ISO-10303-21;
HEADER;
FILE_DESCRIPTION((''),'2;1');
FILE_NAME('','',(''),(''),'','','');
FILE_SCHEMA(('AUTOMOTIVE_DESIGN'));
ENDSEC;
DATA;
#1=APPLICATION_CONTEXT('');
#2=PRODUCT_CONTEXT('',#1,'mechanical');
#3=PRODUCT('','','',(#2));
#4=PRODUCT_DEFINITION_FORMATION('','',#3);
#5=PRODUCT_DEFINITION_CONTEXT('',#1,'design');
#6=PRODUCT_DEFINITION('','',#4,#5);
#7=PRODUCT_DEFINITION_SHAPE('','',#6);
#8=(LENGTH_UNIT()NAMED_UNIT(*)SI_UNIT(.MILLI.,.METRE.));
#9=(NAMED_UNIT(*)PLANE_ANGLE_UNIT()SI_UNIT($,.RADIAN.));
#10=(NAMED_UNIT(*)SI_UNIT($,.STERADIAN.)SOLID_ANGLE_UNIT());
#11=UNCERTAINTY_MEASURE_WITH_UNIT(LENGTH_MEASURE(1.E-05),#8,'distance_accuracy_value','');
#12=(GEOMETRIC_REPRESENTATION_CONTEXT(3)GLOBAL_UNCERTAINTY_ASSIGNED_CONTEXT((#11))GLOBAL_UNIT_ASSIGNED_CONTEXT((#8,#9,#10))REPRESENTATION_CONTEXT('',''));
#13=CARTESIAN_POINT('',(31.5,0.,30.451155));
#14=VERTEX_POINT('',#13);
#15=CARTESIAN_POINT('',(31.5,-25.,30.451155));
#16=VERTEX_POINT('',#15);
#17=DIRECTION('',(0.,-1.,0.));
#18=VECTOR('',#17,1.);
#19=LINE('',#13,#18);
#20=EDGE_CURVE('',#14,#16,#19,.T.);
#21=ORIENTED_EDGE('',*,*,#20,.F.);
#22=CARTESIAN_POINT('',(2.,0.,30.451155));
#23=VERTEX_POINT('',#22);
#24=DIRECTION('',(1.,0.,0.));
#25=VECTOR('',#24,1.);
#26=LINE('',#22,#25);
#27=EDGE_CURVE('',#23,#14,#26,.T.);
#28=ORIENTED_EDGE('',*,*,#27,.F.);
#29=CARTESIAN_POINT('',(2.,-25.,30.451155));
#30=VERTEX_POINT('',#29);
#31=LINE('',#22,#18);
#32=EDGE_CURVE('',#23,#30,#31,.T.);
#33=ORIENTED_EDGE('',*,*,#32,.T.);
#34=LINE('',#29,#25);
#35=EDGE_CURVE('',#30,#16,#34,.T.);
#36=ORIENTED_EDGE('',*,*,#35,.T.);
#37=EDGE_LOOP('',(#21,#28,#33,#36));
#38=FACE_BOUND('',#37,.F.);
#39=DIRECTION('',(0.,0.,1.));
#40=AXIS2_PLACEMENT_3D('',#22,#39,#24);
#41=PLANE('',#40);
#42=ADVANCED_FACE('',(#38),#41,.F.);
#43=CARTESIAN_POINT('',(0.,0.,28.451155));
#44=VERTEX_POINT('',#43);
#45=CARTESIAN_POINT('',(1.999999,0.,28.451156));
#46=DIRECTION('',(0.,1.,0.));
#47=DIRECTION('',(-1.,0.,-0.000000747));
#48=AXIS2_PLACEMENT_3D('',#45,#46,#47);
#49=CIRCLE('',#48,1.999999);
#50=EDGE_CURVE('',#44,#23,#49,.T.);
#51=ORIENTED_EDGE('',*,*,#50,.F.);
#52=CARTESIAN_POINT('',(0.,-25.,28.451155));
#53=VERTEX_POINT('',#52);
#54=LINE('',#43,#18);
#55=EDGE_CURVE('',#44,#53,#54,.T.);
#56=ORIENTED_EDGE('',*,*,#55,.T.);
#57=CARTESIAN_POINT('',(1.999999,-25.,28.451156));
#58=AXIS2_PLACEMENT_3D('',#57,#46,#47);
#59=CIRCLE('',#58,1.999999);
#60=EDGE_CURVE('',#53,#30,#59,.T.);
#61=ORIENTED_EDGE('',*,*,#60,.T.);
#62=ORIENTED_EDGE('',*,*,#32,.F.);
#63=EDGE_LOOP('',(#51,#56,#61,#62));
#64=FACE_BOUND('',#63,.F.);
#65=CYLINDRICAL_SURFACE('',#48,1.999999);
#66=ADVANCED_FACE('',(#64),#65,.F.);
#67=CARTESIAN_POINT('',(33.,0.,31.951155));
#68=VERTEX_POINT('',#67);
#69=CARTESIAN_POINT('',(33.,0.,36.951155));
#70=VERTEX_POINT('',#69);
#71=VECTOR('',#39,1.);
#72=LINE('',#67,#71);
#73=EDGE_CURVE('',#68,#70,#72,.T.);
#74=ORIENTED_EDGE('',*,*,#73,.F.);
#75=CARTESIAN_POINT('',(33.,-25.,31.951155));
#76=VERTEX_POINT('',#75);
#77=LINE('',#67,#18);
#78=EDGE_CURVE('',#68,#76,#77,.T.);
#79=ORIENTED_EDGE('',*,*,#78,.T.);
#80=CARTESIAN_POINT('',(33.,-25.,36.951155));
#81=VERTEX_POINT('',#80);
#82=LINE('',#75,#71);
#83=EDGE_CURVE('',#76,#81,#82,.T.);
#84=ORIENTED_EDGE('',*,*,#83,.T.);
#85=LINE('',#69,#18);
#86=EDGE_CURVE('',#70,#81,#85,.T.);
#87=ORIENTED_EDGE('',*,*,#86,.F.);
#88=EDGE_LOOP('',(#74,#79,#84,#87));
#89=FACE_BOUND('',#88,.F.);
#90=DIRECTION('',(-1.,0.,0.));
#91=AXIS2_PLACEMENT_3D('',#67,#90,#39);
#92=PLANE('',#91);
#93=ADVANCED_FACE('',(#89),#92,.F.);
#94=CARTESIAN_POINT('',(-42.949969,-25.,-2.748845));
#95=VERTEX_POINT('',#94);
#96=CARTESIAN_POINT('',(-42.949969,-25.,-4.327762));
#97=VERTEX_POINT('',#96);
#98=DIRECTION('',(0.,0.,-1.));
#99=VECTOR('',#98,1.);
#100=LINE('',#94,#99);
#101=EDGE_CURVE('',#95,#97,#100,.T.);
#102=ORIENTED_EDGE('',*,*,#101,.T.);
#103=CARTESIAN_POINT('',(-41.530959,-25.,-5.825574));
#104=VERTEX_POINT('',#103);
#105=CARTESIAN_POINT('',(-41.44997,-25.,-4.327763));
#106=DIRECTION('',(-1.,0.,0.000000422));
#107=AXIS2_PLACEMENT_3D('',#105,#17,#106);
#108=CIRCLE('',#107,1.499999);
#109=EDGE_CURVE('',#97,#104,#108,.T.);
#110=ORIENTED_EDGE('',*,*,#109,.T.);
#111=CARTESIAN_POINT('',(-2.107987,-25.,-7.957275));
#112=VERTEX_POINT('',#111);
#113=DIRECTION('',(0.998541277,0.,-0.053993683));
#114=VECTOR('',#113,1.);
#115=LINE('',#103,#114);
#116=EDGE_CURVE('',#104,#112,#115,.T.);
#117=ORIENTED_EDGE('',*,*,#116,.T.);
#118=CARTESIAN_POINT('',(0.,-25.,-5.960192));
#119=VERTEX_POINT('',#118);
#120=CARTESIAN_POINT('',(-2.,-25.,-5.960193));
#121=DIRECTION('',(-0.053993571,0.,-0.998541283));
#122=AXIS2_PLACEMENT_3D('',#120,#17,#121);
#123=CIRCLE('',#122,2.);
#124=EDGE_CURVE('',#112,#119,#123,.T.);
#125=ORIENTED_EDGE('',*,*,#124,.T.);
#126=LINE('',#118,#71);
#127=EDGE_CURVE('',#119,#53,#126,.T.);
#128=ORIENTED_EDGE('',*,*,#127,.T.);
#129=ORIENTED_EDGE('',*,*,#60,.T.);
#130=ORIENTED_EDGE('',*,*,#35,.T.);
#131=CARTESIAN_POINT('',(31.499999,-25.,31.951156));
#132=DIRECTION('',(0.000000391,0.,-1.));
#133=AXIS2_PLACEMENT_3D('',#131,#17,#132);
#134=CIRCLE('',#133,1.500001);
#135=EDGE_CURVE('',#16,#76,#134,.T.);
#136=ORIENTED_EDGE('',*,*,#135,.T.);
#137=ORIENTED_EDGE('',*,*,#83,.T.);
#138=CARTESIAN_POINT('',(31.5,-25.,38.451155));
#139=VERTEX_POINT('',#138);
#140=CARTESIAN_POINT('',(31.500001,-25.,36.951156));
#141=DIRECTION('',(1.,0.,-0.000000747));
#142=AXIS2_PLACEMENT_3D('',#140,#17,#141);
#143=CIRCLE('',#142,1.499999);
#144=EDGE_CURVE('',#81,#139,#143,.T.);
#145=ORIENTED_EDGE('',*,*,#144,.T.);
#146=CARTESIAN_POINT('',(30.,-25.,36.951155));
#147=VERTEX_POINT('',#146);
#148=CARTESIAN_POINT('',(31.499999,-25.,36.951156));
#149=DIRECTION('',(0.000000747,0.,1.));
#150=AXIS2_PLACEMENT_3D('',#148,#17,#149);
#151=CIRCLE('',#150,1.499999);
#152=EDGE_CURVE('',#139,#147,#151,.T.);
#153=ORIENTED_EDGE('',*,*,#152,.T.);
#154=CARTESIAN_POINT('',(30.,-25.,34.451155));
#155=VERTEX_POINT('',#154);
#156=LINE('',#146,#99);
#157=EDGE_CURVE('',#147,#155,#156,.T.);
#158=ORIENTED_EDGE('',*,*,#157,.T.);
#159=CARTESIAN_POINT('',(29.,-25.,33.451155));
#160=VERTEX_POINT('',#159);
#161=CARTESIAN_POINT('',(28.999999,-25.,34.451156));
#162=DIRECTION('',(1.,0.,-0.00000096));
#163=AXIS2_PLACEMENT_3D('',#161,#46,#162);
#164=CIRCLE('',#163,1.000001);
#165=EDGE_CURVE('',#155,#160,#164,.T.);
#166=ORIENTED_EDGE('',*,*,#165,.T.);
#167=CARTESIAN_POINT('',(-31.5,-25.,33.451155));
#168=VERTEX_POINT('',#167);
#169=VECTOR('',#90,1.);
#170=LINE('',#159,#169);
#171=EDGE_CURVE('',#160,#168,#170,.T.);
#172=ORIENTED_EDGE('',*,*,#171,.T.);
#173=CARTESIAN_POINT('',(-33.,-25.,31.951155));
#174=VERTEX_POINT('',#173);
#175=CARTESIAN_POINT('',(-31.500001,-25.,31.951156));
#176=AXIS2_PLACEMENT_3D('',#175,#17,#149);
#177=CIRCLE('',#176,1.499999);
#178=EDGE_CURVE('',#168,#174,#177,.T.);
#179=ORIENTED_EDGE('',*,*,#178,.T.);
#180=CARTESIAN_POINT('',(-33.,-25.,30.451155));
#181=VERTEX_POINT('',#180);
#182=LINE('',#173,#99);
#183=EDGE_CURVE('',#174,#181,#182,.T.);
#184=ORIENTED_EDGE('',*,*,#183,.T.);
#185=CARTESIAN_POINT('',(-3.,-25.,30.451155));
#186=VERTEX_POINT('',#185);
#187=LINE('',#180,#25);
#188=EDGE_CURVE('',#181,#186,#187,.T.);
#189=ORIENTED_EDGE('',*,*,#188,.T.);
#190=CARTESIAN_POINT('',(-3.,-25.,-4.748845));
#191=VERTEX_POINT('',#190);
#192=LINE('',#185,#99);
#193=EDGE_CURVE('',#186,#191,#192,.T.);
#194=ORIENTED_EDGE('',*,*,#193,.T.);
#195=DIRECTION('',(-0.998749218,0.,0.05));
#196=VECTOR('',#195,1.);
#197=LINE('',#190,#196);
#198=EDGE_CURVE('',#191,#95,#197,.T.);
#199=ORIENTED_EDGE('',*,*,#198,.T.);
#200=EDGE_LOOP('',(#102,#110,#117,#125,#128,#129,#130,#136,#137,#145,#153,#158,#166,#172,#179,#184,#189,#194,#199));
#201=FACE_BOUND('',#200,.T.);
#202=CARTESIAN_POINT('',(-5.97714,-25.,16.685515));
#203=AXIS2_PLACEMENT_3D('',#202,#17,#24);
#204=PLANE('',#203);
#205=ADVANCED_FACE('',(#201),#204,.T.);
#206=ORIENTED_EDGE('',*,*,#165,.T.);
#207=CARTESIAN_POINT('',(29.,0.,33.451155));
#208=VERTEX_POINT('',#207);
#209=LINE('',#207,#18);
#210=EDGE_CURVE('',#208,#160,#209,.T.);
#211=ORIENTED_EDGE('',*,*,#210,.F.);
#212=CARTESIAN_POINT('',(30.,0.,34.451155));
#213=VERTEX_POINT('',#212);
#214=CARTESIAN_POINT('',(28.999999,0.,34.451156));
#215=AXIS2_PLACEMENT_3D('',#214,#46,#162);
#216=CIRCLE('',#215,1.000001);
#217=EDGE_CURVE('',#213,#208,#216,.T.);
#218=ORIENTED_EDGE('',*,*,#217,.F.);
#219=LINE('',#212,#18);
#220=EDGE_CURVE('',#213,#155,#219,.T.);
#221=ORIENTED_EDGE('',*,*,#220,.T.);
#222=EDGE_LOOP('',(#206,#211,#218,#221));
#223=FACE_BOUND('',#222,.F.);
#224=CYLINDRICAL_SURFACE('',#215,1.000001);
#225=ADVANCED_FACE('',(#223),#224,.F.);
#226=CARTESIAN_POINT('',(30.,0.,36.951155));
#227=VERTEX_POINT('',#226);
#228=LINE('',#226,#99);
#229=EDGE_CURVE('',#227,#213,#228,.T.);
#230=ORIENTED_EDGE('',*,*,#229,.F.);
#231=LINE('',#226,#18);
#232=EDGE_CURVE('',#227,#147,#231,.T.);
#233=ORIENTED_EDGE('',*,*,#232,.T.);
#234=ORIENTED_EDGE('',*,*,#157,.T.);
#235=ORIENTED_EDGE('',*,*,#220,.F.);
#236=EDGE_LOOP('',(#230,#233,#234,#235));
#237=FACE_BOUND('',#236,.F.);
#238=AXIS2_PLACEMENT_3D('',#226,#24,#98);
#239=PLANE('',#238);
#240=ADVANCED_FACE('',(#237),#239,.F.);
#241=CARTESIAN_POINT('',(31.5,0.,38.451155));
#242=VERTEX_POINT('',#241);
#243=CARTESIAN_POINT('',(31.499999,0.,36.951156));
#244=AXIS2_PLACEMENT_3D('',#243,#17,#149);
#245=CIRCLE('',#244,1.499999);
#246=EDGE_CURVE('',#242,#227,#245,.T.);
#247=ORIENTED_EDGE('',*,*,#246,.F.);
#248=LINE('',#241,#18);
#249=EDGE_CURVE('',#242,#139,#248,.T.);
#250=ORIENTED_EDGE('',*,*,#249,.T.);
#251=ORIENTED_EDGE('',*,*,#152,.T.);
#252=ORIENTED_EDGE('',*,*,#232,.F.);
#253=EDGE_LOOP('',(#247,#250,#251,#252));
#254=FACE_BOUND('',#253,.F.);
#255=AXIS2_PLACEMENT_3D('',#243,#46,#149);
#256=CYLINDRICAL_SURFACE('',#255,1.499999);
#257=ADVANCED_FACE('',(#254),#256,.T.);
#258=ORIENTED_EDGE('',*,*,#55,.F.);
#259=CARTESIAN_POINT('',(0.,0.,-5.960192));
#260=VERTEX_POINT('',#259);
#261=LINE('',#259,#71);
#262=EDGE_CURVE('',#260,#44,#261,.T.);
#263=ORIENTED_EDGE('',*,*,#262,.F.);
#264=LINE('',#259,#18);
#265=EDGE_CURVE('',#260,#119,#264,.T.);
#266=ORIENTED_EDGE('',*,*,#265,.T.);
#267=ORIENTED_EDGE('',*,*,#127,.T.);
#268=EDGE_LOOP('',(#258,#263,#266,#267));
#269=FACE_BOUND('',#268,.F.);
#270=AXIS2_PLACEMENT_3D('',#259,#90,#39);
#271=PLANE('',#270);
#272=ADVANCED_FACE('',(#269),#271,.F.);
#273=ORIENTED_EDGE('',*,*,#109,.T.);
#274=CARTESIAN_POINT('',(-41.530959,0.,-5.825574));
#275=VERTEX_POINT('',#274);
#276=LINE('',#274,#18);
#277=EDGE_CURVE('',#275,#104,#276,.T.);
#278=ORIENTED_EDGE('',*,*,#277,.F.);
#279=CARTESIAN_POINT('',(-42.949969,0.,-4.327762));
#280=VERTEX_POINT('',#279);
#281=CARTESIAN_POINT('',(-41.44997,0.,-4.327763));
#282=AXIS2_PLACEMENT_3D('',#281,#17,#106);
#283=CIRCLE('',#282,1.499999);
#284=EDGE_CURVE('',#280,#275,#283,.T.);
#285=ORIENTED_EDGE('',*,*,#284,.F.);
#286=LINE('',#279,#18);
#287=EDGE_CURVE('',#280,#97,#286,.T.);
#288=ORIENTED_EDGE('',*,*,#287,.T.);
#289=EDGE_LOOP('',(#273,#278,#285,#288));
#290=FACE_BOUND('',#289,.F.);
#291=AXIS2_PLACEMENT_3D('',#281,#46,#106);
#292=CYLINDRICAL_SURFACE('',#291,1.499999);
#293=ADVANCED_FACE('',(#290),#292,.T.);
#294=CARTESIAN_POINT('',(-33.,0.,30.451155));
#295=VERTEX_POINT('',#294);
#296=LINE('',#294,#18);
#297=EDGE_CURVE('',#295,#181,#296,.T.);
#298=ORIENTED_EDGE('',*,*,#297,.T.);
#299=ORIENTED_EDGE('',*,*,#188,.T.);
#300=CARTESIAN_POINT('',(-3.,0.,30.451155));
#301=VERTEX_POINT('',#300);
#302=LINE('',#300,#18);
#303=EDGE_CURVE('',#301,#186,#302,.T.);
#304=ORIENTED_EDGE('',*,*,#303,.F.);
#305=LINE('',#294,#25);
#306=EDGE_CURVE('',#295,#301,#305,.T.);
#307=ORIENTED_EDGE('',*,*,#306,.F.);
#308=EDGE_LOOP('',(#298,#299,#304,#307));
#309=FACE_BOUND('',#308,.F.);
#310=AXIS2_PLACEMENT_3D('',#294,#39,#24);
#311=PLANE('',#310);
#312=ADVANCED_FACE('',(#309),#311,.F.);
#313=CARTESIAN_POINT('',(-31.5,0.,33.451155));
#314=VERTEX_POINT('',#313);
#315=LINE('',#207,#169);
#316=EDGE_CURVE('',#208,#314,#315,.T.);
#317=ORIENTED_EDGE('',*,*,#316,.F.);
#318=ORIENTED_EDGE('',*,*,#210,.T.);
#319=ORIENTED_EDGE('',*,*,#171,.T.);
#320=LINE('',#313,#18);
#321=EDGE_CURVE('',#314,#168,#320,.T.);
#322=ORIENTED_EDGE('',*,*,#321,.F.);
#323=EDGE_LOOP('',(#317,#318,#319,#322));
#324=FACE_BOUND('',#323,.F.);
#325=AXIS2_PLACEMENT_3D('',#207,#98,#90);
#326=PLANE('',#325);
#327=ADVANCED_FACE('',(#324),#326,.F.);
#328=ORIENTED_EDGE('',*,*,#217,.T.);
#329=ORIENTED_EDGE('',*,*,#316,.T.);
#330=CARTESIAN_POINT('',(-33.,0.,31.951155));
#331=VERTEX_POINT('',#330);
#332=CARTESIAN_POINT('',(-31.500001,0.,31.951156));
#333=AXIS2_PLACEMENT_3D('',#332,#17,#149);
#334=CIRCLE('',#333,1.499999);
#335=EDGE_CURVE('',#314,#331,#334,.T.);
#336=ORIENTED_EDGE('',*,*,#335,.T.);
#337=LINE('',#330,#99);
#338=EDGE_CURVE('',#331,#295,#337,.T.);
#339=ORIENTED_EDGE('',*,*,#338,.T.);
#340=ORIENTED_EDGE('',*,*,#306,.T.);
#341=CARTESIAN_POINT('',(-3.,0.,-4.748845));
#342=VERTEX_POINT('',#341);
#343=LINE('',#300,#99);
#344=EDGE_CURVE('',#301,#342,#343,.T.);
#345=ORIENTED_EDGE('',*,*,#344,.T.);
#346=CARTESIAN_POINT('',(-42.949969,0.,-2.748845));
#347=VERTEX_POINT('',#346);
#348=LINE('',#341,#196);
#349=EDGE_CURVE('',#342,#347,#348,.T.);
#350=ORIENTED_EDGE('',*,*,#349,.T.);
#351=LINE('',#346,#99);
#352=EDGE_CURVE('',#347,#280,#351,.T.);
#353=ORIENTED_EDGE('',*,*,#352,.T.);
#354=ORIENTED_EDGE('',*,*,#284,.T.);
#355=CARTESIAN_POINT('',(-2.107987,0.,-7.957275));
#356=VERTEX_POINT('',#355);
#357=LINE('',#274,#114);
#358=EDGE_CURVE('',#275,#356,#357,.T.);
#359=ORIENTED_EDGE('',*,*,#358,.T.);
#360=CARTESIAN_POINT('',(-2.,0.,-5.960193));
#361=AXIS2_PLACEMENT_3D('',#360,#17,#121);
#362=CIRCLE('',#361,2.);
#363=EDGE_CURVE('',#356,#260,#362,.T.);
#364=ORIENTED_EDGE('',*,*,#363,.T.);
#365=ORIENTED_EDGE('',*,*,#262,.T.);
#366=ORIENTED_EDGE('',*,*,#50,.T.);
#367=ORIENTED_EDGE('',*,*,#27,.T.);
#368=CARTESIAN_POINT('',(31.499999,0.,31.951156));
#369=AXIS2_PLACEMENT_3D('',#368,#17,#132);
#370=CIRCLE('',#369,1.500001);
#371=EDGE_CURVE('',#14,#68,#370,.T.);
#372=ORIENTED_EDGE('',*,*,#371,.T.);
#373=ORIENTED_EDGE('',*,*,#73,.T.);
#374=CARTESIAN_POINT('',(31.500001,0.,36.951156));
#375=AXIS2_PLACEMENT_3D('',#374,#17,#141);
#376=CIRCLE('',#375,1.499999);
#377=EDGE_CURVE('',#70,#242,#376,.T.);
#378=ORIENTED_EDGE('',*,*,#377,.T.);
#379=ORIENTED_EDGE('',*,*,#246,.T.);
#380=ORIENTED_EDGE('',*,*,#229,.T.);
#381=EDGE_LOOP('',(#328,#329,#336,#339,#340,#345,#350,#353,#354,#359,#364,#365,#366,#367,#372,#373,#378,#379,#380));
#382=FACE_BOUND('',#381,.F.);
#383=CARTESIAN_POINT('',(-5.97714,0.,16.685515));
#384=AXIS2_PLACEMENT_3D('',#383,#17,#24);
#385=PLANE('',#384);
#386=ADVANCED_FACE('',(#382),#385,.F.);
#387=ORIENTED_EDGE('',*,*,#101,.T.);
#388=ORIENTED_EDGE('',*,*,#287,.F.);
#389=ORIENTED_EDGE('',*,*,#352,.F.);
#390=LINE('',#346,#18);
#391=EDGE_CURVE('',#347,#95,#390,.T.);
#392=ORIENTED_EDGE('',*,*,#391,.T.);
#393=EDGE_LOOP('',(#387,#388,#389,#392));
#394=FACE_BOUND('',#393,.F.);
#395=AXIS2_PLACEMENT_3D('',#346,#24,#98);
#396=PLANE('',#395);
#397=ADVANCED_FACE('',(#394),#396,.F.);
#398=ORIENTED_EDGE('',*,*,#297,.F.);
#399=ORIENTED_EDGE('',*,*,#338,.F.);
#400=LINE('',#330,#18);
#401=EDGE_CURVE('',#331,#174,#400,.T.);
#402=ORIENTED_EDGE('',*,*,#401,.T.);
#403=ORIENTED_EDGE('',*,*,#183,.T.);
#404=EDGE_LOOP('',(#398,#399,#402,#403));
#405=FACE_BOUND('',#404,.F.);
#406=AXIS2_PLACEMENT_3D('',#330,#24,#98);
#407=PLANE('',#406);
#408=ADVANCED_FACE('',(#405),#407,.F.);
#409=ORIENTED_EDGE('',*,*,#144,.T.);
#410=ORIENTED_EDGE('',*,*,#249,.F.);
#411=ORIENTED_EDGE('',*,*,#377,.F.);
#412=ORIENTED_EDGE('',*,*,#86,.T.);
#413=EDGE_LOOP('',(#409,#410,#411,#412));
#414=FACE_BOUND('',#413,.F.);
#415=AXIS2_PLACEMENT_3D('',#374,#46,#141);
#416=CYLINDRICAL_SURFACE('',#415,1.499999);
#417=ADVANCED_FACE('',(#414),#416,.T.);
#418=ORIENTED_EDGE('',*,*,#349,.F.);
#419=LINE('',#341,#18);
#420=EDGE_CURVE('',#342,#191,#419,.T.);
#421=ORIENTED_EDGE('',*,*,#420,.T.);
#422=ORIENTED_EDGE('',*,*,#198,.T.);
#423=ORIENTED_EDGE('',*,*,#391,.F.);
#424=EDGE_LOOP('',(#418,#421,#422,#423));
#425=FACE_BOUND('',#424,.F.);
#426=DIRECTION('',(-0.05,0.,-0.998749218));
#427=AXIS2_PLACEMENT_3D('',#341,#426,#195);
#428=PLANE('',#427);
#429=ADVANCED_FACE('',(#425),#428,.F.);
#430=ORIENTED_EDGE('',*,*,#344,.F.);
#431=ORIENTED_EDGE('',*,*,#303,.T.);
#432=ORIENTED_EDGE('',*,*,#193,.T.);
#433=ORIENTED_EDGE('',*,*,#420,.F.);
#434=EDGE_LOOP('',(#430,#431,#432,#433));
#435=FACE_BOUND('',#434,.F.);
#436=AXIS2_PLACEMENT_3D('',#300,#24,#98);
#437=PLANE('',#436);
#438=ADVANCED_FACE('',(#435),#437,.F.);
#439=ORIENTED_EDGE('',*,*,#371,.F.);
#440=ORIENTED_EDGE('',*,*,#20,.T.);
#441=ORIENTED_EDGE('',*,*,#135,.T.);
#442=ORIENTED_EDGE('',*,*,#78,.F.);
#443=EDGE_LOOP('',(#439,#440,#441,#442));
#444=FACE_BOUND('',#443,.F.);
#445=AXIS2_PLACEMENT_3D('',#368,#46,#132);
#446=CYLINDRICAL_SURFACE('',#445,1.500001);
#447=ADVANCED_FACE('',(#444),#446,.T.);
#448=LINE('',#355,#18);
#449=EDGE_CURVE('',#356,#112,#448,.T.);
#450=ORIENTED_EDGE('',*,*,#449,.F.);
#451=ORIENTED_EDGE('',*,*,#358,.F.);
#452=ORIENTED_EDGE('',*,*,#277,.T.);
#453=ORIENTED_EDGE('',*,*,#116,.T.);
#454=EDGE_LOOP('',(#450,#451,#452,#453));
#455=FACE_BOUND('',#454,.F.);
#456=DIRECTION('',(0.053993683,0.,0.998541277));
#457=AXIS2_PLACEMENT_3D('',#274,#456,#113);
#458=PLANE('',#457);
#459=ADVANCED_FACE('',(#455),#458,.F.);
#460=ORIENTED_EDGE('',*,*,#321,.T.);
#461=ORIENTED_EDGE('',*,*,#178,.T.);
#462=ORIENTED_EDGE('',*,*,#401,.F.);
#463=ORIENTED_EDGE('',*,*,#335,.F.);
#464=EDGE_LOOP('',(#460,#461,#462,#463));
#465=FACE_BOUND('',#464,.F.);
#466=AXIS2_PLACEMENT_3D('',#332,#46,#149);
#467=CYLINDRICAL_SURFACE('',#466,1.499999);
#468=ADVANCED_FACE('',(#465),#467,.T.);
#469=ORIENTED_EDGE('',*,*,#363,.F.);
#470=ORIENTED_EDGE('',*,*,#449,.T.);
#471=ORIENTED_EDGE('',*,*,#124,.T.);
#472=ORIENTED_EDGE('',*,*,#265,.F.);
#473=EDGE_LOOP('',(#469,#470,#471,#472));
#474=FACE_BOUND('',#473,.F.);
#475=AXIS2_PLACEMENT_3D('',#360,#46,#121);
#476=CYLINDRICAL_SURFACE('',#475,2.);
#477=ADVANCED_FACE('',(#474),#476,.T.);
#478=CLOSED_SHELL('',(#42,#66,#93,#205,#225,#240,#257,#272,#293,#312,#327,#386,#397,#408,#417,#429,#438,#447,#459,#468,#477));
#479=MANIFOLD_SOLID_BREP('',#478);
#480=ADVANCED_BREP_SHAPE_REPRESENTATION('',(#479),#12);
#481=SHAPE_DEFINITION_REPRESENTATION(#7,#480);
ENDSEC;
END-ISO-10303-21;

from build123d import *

# Parameters (mm, degrees)
F1_DEPTH = 25


with BuildPart() as f1:
    # F0 (on Front) → F1 (new body)
    with BuildSketch(Plane.XZ):
        with BuildLine():
            Line((29, 33.451155), (-31.5, 33.451155))
            ThreePointArc((-31.5, 33.451155), (-32.56066, 33.011816), (-33, 31.951155))
            Line((-33, 31.951155), (-33, 30.451155))
            Line((-33, 30.451155), (-3, 30.451155))
            Line((-3, 30.451155), (-3, -4.748845))
            Line((-3, -4.748845), (-42.949969, -2.748845))
            Line((-42.949969, -2.748845), (-42.949969, -4.327762))
            ThreePointArc((-42.949969, -4.327762), (-42.538887, -5.359391), (-41.530959, -5.825574))
            Line((-41.530959, -5.825574), (-2.107987, -7.957275))
            ThreePointArc((-2.107987, -7.957275), (-0.624495, -7.412083), (0, -5.960192))
            Line((0, -5.960192), (0, 28.451155))
            ThreePointArc((0, 28.451155), (0.585786, 29.865369), (2, 30.451155))
            Line((2, 30.451155), (31.5, 30.451155))
            ThreePointArc((31.5, 30.451155), (32.56066, 30.890495), (33, 31.951155))
            Line((33, 31.951155), (33, 36.951155))
            ThreePointArc((33, 36.951155), (32.56066, 38.011816), (31.5, 38.451155))
            ThreePointArc((31.5, 38.451155), (30.43934, 38.011816), (30, 36.951155))
            Line((30, 36.951155), (30, 34.451155))
            ThreePointArc((30, 34.451155), (29.707107, 33.744049), (29, 33.451155))
        make_face()
    extrude(amount=F1_DEPTH)


solid = f1.part
